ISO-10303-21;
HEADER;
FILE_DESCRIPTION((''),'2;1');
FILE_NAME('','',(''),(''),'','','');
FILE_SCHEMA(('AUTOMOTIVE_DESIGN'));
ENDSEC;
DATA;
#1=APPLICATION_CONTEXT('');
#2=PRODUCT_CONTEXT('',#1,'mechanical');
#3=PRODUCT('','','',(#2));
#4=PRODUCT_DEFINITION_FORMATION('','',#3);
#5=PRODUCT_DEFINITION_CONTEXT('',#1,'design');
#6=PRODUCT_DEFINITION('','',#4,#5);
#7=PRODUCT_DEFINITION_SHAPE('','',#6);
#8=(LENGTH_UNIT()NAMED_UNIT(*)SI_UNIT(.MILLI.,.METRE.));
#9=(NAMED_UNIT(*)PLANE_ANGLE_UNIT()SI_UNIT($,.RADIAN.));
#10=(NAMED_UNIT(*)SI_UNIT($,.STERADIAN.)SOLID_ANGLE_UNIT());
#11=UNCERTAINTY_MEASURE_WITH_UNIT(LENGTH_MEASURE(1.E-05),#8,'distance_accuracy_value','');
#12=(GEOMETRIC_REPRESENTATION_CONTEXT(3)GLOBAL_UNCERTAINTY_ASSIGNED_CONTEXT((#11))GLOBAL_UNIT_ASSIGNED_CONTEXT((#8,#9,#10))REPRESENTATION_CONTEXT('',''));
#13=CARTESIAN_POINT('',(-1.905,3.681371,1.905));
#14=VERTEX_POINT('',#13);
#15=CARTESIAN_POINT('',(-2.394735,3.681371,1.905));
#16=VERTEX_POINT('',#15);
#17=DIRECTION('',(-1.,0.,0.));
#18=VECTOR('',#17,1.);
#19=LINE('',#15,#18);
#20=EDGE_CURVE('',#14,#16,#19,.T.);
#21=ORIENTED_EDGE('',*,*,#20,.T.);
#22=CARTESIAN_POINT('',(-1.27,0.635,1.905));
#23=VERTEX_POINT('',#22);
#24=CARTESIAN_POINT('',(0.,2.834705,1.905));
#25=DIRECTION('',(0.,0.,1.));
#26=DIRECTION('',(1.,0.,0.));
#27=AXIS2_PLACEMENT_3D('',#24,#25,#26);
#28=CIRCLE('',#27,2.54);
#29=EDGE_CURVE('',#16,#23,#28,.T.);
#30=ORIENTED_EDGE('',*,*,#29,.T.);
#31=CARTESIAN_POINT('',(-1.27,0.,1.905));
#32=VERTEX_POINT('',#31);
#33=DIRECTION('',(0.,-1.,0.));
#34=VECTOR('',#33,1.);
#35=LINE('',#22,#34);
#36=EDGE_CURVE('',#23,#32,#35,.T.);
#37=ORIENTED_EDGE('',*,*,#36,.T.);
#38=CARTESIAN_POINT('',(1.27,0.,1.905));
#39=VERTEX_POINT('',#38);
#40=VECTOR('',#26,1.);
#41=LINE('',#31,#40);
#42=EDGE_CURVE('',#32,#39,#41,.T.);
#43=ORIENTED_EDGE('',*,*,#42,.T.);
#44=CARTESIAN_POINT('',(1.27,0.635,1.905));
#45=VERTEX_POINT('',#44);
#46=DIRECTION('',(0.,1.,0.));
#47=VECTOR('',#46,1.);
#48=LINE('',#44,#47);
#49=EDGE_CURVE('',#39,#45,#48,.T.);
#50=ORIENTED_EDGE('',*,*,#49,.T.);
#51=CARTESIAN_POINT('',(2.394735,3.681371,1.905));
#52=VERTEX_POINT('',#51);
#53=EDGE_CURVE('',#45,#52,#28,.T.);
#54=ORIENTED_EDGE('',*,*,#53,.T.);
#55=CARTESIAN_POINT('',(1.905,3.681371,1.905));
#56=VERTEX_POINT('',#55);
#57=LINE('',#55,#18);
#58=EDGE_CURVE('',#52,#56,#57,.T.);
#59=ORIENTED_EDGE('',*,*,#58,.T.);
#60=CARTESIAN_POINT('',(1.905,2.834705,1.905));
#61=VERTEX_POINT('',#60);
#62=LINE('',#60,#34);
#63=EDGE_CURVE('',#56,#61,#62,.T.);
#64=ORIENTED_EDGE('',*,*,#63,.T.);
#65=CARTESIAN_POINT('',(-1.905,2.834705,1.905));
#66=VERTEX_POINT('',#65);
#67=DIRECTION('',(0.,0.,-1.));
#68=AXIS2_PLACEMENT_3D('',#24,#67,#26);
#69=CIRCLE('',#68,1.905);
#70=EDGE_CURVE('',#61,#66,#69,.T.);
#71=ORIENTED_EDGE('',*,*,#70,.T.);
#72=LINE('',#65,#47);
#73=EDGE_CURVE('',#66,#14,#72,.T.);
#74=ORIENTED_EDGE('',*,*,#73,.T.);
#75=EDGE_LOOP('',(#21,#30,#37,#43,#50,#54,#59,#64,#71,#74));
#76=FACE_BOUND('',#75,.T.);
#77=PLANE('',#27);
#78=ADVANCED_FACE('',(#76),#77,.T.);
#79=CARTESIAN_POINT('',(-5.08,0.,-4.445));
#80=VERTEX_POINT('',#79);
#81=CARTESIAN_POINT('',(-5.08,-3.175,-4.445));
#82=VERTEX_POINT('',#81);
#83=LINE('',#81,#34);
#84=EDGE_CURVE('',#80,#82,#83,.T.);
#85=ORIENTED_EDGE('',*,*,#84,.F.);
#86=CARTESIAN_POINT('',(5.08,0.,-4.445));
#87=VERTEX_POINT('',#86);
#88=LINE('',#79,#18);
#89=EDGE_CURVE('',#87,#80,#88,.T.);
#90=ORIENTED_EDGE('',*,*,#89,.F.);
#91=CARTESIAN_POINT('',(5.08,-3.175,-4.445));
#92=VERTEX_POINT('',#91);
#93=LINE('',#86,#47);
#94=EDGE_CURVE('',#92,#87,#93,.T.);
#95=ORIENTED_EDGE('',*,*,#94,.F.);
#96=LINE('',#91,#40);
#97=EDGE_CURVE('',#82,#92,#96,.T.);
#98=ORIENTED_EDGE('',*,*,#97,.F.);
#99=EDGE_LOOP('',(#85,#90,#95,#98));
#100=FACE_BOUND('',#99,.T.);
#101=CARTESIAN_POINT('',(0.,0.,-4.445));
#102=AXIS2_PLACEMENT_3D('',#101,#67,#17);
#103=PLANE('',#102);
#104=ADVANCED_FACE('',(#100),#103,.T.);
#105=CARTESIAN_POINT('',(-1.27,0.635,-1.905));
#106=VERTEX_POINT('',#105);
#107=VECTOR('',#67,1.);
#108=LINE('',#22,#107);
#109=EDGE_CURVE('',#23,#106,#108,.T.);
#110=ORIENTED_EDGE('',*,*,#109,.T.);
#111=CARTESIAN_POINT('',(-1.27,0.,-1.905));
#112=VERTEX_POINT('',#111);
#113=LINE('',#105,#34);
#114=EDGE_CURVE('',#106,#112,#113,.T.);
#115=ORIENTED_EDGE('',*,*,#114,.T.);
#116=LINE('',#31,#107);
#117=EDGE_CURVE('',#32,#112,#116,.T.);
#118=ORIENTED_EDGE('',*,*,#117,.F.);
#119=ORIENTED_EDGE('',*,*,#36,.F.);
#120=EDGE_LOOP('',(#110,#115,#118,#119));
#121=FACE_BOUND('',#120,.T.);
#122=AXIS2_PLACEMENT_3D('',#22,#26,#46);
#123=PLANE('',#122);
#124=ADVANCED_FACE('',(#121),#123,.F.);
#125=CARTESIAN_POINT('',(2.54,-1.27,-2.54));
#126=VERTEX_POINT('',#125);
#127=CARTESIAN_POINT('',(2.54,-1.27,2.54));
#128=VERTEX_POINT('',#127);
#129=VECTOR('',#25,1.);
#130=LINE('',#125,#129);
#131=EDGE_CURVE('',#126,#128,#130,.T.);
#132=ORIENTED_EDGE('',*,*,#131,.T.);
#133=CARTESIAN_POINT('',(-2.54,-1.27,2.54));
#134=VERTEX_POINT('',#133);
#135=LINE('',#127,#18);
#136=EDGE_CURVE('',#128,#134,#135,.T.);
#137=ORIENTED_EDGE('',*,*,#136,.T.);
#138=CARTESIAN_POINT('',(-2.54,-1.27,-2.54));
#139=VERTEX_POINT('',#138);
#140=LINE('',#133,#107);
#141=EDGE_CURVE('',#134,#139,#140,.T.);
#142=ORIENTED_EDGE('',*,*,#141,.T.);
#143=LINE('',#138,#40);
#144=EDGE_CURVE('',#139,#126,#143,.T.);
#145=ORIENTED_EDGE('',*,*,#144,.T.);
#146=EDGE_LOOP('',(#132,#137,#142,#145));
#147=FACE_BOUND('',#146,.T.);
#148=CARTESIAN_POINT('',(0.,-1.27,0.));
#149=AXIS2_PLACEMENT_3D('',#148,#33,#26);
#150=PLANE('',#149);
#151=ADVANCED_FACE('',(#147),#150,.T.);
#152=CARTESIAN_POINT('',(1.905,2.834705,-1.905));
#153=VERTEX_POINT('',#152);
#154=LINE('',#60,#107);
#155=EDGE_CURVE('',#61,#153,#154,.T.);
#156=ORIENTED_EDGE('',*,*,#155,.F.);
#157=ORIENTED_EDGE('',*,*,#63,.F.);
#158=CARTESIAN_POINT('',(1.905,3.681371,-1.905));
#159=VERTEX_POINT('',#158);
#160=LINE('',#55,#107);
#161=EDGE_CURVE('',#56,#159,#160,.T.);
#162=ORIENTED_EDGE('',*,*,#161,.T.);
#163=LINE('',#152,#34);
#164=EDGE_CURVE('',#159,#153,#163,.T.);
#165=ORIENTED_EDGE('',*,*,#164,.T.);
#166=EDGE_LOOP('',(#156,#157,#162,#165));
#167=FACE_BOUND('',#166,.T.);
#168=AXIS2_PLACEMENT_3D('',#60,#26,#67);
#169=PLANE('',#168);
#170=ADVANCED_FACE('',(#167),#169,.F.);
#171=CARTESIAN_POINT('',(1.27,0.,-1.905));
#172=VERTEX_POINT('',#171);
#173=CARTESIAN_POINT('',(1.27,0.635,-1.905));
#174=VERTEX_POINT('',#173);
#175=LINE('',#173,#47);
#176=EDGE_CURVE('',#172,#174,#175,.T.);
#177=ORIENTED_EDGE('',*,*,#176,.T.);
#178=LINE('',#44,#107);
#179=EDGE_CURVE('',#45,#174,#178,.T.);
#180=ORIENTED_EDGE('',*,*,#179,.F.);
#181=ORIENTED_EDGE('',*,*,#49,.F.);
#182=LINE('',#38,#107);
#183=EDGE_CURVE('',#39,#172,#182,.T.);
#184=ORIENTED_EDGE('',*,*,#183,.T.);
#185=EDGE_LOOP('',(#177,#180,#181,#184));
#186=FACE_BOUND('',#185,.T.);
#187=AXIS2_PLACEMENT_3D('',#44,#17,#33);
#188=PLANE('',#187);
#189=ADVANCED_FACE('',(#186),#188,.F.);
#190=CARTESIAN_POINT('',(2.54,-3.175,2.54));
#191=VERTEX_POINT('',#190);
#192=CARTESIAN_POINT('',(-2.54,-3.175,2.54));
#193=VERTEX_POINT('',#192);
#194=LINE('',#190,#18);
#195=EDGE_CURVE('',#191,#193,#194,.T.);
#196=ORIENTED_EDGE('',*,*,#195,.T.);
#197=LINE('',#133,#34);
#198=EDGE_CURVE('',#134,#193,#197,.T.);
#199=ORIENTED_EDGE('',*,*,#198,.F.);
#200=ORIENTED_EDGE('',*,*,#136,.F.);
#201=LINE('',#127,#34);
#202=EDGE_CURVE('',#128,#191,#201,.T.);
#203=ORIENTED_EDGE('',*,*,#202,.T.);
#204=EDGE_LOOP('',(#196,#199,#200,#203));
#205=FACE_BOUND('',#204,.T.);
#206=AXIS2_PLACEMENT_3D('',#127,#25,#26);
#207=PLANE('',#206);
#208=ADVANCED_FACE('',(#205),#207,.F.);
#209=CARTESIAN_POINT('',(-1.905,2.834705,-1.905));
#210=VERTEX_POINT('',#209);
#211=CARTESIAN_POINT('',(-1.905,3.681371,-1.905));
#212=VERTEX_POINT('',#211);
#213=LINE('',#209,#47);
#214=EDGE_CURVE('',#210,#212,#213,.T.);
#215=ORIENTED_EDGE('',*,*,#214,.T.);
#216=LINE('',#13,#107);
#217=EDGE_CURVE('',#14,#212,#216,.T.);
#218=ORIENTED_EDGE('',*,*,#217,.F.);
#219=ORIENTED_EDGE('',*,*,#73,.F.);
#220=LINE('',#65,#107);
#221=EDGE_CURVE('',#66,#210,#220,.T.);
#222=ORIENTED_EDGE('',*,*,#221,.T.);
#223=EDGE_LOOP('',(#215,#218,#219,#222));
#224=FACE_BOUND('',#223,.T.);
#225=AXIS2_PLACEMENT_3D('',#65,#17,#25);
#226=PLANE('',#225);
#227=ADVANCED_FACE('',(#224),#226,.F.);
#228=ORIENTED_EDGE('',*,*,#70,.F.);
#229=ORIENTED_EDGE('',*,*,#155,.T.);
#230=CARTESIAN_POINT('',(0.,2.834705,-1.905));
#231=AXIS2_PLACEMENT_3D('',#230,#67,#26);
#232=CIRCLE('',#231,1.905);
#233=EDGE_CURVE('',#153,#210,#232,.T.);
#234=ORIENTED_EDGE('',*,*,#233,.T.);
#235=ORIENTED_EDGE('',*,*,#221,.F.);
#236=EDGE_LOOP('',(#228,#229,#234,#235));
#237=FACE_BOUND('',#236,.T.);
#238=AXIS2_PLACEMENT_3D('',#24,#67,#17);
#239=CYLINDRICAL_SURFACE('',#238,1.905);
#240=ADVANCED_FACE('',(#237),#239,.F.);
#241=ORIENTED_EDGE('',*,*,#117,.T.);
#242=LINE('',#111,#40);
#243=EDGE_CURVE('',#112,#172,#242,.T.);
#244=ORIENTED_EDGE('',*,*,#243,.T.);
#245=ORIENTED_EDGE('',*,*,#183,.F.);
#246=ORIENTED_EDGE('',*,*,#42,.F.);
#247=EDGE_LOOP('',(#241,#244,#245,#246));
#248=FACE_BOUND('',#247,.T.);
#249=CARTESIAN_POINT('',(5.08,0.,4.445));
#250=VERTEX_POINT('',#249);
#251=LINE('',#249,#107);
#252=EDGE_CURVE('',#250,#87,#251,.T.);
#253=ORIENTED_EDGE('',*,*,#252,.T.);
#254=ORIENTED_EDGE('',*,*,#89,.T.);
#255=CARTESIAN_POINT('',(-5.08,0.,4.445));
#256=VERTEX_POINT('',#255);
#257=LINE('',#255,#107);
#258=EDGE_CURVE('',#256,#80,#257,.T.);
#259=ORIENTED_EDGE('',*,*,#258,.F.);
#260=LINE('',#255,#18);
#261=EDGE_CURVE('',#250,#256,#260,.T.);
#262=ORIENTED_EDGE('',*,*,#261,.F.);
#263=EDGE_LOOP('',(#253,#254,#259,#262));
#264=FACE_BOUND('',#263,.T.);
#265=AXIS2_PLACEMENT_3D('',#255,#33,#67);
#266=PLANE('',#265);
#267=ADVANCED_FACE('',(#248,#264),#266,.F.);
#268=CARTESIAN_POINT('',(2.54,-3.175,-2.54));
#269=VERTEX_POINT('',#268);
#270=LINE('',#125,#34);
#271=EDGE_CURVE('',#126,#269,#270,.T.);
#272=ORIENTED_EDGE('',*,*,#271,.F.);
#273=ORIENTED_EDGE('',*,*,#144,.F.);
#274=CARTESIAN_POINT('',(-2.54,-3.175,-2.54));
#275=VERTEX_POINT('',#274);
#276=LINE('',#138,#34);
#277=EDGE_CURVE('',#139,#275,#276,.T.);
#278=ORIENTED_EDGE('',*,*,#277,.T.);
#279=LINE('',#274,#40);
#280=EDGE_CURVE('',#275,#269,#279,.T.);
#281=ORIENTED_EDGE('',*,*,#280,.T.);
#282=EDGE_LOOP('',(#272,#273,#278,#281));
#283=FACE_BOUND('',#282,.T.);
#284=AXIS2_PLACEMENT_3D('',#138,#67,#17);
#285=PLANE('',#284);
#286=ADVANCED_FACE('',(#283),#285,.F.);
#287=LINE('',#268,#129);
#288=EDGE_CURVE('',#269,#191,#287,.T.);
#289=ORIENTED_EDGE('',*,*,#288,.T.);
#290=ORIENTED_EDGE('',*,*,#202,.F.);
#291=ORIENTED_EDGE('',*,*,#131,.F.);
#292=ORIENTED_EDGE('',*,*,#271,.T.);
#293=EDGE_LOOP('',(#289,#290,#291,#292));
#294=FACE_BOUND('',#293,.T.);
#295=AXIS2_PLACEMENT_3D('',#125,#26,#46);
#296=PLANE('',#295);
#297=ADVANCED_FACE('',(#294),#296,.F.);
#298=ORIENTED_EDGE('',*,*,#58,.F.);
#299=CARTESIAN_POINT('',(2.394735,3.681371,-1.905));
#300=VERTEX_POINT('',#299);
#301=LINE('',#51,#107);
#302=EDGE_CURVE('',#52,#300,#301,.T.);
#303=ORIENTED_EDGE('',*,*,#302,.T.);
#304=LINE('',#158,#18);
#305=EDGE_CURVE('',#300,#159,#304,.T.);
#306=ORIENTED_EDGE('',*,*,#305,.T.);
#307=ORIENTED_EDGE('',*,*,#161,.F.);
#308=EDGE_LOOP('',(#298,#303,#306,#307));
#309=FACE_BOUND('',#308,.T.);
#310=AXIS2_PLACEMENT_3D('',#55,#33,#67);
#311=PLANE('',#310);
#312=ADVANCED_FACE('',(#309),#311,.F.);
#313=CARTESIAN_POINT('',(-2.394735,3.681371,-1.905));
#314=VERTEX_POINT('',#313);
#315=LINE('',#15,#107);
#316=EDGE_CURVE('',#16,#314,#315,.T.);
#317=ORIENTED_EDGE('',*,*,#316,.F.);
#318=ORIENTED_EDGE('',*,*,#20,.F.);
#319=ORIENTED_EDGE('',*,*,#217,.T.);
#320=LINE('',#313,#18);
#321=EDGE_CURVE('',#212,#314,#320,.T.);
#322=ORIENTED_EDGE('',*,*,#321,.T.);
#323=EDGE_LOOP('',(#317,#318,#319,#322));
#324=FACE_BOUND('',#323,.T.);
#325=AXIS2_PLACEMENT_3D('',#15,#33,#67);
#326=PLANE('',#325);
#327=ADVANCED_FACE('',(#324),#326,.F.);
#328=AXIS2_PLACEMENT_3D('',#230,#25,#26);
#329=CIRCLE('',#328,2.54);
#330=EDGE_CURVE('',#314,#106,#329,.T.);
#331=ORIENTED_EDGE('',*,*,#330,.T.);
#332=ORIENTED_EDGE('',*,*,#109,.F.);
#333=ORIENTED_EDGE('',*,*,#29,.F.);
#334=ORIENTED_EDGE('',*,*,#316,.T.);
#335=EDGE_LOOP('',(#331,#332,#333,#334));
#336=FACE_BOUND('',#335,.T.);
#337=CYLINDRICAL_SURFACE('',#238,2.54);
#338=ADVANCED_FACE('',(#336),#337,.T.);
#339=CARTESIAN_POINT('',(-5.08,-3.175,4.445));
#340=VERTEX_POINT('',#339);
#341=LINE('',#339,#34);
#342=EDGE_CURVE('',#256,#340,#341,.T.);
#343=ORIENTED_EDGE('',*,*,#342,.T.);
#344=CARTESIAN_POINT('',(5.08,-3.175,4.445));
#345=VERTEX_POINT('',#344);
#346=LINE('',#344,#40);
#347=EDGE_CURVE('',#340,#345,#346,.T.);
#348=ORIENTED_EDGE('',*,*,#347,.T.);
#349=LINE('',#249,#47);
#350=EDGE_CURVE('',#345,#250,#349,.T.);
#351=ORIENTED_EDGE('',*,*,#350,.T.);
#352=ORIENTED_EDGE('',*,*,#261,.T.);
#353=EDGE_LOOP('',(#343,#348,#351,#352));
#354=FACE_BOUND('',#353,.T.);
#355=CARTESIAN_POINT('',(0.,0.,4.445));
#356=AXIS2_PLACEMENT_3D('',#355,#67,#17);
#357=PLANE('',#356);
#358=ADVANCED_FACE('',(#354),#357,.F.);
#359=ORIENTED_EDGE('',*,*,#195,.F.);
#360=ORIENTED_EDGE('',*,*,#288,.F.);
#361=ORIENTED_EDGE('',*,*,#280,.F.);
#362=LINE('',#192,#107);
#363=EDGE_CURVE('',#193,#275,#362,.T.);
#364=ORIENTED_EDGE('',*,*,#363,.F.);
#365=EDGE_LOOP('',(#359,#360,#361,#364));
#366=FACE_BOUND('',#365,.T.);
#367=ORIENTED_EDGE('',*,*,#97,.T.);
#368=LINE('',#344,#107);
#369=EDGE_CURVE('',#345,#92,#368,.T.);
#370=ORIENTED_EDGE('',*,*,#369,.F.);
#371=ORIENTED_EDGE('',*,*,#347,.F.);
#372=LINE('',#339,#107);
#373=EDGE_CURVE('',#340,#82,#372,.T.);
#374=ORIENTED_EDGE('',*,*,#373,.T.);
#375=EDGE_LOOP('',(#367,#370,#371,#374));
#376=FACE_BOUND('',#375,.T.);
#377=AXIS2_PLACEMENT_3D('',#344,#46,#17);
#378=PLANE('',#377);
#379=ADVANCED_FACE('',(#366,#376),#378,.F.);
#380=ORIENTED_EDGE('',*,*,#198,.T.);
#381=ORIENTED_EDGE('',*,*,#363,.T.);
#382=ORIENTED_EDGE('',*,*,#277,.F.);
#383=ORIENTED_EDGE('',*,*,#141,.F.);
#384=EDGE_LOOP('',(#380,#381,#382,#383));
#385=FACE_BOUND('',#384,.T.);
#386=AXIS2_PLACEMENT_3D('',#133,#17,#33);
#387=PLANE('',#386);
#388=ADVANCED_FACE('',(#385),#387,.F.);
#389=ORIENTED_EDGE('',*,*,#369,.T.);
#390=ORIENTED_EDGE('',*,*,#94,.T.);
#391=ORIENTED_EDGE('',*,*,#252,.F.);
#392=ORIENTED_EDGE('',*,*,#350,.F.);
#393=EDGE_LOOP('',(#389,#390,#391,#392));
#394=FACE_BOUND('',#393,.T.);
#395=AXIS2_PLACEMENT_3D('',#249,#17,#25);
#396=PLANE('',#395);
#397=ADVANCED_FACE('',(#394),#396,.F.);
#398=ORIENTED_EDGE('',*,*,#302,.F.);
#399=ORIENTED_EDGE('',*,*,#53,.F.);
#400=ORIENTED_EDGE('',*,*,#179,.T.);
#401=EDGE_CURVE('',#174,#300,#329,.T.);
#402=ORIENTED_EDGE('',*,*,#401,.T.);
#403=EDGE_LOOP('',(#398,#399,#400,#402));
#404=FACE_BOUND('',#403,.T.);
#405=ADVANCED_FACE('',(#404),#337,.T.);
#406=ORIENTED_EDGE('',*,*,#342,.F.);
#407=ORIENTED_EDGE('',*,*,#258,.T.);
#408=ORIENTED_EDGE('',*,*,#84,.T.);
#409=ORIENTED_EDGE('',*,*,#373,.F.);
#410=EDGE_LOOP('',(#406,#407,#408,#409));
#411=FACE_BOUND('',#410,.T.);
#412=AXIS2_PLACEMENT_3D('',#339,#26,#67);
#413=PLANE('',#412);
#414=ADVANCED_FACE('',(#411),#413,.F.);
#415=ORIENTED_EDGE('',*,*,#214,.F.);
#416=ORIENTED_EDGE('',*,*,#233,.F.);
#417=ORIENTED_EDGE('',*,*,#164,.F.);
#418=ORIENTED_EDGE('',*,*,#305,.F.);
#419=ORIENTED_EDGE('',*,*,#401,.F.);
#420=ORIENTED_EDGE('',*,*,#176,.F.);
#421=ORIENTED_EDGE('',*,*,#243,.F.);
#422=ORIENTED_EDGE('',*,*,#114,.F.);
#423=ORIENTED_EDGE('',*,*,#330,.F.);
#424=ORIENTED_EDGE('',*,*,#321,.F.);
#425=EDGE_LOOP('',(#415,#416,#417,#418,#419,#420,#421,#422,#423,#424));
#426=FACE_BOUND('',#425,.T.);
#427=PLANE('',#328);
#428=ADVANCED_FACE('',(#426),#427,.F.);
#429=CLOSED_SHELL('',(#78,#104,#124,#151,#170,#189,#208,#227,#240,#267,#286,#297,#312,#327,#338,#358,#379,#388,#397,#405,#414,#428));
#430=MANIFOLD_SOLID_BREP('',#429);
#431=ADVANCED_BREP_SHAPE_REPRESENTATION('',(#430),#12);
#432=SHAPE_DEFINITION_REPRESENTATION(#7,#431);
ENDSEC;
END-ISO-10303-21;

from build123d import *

# Parameters (mm, degrees)
SKETCH1_W           = 10.16
SKETCH1_H           = 3.175
BOSS_EXTRUDE1_DEPTH = 4.445
BOSS_EXTRUDE2_DEPTH = 1.905
SKETCH3_OUTSIDE_W   = 15.188
SKETCH3_OUTSIDE_H   = 13.918
SKETCH3_OUTSIDE_W_2 = 10.16
SKETCH3_OUTSIDE_H_2 = 8.89
SKETCH3_OUTSIDE_W_3 = 5.08
SKETCH3_OUTSIDE_H_3 = 5.08
CUT_EXTRUDE1_DEPTH  = 1.905


with BuildPart() as part:
    # Sketch1 → Boss-Extrude1 (new body, symmetric)
    with BuildSketch(Plane.XY):
        with Locations((0, -1.5875)):
            Rectangle(SKETCH1_W, SKETCH1_H)
    extrude(amount=BOSS_EXTRUDE1_DEPTH, both=True)

    # Sketch2 → Boss-Extrude2 (add, symmetric)
    with BuildSketch(Plane.XY):
        with BuildLine():
            Line((-1.905, 2.834704526), (-1.905, 3.681371192))
            Line((-1.905, 3.681371192), (-2.394734966, 3.681371192))
            ThreePointArc((-2.394734966, 3.681371192), (-2.382785125, 1.954968743), (-1.27, 0.635))
            Line((-1.27, 0.635), (-1.27, 0))
            Line((-1.27, 0), (1.27, 0))
            Line((1.27, 0), (1.27, 0.635))
            ThreePointArc((1.27, 0.635), (2.382785125, 1.954968743), (2.394734966, 3.681371192))
            Line((2.394734966, 3.681371192), (1.905, 3.681371192))
            Line((1.905, 3.681371192), (1.905, 2.834704526))
            ThreePointArc((1.905, 2.834704526), (0, 0.929704526), (-1.905, 2.834704526))
        make_face()
    extrude(amount=BOSS_EXTRUDE2_DEPTH, both=True)

    # Sketch3 outside → Cut-Extrude1 (cut)
    with BuildSketch(Plane.XZ.offset(3.175)):
        Rectangle(SKETCH3_OUTSIDE_W, SKETCH3_OUTSIDE_H)
        Rectangle(SKETCH3_OUTSIDE_W_2, SKETCH3_OUTSIDE_H_2, mode=Mode.SUBTRACT)
        Rectangle(SKETCH3_OUTSIDE_W_3, SKETCH3_OUTSIDE_H_3)
    extrude(amount=-CUT_EXTRUDE1_DEPTH, mode=Mode.SUBTRACT)


solid = part.part
